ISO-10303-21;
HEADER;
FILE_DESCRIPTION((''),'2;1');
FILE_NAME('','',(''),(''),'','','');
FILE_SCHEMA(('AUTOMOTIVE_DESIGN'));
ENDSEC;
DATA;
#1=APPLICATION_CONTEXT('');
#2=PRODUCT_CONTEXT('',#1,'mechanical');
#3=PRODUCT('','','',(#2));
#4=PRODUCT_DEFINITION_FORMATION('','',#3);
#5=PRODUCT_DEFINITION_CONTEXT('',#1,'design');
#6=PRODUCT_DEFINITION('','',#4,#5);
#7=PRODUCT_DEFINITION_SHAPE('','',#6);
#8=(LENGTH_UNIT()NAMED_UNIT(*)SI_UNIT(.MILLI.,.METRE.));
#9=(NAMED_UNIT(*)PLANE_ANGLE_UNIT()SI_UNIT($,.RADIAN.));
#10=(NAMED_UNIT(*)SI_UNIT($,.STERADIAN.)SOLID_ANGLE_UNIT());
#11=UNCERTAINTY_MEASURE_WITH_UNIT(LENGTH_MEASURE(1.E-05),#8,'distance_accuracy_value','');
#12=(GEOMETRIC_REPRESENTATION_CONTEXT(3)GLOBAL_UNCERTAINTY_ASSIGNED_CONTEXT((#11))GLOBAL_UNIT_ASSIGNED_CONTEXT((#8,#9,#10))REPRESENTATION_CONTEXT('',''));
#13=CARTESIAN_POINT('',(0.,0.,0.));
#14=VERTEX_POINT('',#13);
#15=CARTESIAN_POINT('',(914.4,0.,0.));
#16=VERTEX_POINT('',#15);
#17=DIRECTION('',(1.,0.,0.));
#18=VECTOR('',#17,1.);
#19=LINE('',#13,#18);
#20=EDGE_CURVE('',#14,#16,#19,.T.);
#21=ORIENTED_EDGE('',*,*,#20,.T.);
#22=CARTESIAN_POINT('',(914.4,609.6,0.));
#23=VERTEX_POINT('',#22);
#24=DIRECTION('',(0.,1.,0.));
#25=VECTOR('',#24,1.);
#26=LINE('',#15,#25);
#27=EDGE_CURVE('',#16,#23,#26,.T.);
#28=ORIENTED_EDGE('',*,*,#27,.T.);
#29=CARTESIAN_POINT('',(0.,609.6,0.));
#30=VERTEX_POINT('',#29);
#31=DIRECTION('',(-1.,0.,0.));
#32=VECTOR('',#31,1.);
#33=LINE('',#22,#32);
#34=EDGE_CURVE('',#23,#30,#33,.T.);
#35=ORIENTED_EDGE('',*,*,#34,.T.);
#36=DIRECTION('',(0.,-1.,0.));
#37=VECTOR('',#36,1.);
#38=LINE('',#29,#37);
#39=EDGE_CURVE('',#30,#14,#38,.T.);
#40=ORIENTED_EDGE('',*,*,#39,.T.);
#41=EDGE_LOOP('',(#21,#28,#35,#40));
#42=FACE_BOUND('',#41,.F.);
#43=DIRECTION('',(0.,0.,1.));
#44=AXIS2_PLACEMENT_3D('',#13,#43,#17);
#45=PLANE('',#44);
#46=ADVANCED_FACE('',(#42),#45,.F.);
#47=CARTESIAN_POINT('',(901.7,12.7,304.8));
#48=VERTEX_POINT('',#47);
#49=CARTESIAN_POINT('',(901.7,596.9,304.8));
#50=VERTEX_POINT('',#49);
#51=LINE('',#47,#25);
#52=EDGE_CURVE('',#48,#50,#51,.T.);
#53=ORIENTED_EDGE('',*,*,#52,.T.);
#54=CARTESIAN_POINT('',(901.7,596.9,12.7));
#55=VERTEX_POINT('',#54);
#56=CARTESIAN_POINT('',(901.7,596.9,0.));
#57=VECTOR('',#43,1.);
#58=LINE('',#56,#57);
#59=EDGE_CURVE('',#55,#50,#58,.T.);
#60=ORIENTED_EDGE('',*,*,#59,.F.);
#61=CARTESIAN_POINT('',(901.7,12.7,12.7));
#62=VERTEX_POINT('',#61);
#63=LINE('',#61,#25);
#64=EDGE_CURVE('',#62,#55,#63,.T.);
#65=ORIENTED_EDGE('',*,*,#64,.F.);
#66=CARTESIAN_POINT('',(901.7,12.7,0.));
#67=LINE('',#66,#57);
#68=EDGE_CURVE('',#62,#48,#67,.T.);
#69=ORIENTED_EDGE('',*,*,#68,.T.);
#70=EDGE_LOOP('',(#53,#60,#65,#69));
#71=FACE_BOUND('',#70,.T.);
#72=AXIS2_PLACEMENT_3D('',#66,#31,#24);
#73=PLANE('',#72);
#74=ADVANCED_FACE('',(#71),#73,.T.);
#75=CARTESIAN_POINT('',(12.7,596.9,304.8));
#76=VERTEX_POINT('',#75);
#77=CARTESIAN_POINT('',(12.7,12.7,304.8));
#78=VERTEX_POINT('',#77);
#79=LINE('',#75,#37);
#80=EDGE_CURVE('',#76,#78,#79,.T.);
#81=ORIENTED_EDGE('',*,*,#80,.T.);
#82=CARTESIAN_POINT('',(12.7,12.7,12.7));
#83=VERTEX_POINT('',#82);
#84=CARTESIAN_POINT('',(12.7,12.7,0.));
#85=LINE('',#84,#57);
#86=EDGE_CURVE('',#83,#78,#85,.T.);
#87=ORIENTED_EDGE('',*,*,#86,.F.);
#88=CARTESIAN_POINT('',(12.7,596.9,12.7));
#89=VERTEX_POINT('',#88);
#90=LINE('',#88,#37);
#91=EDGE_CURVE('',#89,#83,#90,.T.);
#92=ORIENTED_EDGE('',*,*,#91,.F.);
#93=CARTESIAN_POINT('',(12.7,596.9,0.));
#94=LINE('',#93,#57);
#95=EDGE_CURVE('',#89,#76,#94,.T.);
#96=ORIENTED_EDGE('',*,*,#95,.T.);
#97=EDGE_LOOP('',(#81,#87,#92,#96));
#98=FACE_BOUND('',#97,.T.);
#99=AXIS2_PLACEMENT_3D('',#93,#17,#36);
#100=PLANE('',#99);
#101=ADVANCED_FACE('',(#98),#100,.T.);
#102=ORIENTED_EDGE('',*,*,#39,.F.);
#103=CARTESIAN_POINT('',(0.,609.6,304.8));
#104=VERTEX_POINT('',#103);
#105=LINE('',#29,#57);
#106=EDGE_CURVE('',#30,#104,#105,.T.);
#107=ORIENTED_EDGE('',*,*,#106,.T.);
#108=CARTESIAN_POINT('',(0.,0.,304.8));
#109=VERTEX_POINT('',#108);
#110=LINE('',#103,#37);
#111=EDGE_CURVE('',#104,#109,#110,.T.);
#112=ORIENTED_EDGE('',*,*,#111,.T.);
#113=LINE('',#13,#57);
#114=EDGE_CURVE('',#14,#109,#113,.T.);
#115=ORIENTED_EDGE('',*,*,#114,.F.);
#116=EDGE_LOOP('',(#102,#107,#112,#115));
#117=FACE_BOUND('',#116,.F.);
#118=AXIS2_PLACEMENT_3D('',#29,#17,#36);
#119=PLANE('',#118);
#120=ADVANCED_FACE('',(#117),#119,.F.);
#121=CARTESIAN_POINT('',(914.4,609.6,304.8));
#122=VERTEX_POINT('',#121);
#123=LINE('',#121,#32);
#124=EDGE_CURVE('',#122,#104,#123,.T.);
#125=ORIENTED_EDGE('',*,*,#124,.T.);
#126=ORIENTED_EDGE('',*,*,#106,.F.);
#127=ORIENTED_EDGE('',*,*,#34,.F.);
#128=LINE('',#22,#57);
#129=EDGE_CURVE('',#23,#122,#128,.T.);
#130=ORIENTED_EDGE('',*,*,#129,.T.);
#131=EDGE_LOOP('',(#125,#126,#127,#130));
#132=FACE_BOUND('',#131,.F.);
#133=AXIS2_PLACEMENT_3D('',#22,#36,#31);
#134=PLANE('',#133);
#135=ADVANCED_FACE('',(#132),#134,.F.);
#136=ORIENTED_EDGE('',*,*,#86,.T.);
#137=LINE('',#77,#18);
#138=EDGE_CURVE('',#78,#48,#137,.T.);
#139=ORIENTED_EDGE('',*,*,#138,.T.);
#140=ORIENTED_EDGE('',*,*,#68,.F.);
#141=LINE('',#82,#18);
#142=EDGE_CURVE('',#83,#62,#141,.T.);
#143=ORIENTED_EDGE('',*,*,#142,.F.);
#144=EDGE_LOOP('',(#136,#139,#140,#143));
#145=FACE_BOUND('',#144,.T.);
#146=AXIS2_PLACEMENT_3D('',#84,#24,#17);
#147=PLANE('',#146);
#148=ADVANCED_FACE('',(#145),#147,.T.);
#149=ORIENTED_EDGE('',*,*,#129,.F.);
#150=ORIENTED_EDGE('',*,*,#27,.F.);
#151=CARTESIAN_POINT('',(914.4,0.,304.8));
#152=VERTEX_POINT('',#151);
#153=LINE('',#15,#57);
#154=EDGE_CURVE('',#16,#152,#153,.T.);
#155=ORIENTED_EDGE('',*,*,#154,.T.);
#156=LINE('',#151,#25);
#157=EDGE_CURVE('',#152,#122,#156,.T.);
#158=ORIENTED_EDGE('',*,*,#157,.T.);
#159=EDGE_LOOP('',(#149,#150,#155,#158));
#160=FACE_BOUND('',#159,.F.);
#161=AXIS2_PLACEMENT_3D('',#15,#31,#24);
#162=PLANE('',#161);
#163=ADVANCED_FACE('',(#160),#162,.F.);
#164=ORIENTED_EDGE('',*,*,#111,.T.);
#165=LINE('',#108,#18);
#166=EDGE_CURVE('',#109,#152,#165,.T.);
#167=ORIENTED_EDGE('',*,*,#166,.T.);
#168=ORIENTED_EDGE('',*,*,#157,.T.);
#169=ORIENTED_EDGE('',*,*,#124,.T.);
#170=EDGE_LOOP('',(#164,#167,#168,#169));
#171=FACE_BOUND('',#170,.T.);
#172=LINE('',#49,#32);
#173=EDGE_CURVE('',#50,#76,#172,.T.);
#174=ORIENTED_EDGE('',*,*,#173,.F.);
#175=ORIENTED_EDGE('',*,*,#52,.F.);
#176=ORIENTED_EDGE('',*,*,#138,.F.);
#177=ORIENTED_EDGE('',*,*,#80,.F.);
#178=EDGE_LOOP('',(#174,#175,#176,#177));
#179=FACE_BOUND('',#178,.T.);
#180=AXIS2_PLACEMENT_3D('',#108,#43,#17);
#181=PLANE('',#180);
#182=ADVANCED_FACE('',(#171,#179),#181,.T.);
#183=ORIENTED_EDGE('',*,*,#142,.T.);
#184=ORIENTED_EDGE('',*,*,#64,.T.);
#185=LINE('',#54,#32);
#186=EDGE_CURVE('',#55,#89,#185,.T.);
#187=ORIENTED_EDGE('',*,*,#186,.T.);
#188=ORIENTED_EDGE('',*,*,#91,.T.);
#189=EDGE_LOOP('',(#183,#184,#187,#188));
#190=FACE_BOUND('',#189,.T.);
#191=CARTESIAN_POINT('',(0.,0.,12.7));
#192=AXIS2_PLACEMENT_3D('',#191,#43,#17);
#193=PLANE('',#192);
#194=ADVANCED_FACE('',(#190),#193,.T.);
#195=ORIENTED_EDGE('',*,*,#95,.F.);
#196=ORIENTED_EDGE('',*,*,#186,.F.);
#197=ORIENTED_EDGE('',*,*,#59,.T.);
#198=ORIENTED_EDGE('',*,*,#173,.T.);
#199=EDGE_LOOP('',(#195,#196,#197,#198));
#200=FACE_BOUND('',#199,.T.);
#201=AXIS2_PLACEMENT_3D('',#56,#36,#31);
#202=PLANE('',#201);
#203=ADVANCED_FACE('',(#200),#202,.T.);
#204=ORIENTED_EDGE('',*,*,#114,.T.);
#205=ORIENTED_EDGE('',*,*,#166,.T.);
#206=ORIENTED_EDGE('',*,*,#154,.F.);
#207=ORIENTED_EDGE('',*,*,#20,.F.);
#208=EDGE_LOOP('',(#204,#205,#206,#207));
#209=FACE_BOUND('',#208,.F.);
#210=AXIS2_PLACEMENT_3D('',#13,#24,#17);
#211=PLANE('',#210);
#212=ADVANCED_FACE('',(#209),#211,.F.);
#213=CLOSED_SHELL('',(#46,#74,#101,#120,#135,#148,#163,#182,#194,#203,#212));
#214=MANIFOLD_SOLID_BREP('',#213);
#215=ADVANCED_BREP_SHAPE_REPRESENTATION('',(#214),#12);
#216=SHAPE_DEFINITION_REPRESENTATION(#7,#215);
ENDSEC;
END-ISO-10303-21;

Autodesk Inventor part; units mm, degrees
ref_plane "YZ Plane" through (0, 0, 0) normal (1, 0, 0) x (0, 1, 0)
ref_plane "XZ Plane" through (0, 0, 0) normal (0, 1, 0) x (-1, 0, 0)
sketch "Sketch1" plane through (0, 0, 0) normal (0, 0, 1) x (1, 0, 0)
  line L0 (0, 0) -> (914.4, 0)
  line L1 (914.4, 0) -> (914.4, 609.6)
  line L2 (914.4, 609.6) -> (0, 609.6)
  line L3 (0, 609.6) -> (0, 0)
  line L4 (12.7, 12.7) -> (901.7, 12.7)
  line L5 (901.7, 12.7) -> (901.7, 596.9)
  line L6 (901.7, 596.9) -> (12.7, 596.9)
  line L7 (12.7, 596.9) -> (12.7, 12.7)
  dimension "d0" = 609.6
  dimension "d1" = 914.4
  dimension "d2" = 12.7
  dimension "d3" = 12.7
  dimension "d4" = 12.7
  dimension "d5" = 12.7
extrude "Extrusion1" add sketch "Sketch1" along normal blind 304.8
extrude "Extrusion2" add sketch "Sketch1" along normal blind 12.7 contours L7 L6 L5 L4
ref_plane "Work Plane1" through (0, 304.8, 0) normal (0, -1, 0) x (1, 0, 0)
equation "\"d0\" = length"
equation "\"d1\" = width"
equation "\"d2\" = thickness"
equation "\"d3\" = thickness"
equation "\"d4\" = thickness"
equation "\"d5\" = thickness"
equation "\"d6\" = height"
equation "\"d8\" = thickness"
equation "\"length\" = 609.6"
equation "\"width\" = 914.4"
equation "\"height\" = 304.8"
equation "\"thickness\" = 12.7"
properties part number "inventor_sample_file-01"
